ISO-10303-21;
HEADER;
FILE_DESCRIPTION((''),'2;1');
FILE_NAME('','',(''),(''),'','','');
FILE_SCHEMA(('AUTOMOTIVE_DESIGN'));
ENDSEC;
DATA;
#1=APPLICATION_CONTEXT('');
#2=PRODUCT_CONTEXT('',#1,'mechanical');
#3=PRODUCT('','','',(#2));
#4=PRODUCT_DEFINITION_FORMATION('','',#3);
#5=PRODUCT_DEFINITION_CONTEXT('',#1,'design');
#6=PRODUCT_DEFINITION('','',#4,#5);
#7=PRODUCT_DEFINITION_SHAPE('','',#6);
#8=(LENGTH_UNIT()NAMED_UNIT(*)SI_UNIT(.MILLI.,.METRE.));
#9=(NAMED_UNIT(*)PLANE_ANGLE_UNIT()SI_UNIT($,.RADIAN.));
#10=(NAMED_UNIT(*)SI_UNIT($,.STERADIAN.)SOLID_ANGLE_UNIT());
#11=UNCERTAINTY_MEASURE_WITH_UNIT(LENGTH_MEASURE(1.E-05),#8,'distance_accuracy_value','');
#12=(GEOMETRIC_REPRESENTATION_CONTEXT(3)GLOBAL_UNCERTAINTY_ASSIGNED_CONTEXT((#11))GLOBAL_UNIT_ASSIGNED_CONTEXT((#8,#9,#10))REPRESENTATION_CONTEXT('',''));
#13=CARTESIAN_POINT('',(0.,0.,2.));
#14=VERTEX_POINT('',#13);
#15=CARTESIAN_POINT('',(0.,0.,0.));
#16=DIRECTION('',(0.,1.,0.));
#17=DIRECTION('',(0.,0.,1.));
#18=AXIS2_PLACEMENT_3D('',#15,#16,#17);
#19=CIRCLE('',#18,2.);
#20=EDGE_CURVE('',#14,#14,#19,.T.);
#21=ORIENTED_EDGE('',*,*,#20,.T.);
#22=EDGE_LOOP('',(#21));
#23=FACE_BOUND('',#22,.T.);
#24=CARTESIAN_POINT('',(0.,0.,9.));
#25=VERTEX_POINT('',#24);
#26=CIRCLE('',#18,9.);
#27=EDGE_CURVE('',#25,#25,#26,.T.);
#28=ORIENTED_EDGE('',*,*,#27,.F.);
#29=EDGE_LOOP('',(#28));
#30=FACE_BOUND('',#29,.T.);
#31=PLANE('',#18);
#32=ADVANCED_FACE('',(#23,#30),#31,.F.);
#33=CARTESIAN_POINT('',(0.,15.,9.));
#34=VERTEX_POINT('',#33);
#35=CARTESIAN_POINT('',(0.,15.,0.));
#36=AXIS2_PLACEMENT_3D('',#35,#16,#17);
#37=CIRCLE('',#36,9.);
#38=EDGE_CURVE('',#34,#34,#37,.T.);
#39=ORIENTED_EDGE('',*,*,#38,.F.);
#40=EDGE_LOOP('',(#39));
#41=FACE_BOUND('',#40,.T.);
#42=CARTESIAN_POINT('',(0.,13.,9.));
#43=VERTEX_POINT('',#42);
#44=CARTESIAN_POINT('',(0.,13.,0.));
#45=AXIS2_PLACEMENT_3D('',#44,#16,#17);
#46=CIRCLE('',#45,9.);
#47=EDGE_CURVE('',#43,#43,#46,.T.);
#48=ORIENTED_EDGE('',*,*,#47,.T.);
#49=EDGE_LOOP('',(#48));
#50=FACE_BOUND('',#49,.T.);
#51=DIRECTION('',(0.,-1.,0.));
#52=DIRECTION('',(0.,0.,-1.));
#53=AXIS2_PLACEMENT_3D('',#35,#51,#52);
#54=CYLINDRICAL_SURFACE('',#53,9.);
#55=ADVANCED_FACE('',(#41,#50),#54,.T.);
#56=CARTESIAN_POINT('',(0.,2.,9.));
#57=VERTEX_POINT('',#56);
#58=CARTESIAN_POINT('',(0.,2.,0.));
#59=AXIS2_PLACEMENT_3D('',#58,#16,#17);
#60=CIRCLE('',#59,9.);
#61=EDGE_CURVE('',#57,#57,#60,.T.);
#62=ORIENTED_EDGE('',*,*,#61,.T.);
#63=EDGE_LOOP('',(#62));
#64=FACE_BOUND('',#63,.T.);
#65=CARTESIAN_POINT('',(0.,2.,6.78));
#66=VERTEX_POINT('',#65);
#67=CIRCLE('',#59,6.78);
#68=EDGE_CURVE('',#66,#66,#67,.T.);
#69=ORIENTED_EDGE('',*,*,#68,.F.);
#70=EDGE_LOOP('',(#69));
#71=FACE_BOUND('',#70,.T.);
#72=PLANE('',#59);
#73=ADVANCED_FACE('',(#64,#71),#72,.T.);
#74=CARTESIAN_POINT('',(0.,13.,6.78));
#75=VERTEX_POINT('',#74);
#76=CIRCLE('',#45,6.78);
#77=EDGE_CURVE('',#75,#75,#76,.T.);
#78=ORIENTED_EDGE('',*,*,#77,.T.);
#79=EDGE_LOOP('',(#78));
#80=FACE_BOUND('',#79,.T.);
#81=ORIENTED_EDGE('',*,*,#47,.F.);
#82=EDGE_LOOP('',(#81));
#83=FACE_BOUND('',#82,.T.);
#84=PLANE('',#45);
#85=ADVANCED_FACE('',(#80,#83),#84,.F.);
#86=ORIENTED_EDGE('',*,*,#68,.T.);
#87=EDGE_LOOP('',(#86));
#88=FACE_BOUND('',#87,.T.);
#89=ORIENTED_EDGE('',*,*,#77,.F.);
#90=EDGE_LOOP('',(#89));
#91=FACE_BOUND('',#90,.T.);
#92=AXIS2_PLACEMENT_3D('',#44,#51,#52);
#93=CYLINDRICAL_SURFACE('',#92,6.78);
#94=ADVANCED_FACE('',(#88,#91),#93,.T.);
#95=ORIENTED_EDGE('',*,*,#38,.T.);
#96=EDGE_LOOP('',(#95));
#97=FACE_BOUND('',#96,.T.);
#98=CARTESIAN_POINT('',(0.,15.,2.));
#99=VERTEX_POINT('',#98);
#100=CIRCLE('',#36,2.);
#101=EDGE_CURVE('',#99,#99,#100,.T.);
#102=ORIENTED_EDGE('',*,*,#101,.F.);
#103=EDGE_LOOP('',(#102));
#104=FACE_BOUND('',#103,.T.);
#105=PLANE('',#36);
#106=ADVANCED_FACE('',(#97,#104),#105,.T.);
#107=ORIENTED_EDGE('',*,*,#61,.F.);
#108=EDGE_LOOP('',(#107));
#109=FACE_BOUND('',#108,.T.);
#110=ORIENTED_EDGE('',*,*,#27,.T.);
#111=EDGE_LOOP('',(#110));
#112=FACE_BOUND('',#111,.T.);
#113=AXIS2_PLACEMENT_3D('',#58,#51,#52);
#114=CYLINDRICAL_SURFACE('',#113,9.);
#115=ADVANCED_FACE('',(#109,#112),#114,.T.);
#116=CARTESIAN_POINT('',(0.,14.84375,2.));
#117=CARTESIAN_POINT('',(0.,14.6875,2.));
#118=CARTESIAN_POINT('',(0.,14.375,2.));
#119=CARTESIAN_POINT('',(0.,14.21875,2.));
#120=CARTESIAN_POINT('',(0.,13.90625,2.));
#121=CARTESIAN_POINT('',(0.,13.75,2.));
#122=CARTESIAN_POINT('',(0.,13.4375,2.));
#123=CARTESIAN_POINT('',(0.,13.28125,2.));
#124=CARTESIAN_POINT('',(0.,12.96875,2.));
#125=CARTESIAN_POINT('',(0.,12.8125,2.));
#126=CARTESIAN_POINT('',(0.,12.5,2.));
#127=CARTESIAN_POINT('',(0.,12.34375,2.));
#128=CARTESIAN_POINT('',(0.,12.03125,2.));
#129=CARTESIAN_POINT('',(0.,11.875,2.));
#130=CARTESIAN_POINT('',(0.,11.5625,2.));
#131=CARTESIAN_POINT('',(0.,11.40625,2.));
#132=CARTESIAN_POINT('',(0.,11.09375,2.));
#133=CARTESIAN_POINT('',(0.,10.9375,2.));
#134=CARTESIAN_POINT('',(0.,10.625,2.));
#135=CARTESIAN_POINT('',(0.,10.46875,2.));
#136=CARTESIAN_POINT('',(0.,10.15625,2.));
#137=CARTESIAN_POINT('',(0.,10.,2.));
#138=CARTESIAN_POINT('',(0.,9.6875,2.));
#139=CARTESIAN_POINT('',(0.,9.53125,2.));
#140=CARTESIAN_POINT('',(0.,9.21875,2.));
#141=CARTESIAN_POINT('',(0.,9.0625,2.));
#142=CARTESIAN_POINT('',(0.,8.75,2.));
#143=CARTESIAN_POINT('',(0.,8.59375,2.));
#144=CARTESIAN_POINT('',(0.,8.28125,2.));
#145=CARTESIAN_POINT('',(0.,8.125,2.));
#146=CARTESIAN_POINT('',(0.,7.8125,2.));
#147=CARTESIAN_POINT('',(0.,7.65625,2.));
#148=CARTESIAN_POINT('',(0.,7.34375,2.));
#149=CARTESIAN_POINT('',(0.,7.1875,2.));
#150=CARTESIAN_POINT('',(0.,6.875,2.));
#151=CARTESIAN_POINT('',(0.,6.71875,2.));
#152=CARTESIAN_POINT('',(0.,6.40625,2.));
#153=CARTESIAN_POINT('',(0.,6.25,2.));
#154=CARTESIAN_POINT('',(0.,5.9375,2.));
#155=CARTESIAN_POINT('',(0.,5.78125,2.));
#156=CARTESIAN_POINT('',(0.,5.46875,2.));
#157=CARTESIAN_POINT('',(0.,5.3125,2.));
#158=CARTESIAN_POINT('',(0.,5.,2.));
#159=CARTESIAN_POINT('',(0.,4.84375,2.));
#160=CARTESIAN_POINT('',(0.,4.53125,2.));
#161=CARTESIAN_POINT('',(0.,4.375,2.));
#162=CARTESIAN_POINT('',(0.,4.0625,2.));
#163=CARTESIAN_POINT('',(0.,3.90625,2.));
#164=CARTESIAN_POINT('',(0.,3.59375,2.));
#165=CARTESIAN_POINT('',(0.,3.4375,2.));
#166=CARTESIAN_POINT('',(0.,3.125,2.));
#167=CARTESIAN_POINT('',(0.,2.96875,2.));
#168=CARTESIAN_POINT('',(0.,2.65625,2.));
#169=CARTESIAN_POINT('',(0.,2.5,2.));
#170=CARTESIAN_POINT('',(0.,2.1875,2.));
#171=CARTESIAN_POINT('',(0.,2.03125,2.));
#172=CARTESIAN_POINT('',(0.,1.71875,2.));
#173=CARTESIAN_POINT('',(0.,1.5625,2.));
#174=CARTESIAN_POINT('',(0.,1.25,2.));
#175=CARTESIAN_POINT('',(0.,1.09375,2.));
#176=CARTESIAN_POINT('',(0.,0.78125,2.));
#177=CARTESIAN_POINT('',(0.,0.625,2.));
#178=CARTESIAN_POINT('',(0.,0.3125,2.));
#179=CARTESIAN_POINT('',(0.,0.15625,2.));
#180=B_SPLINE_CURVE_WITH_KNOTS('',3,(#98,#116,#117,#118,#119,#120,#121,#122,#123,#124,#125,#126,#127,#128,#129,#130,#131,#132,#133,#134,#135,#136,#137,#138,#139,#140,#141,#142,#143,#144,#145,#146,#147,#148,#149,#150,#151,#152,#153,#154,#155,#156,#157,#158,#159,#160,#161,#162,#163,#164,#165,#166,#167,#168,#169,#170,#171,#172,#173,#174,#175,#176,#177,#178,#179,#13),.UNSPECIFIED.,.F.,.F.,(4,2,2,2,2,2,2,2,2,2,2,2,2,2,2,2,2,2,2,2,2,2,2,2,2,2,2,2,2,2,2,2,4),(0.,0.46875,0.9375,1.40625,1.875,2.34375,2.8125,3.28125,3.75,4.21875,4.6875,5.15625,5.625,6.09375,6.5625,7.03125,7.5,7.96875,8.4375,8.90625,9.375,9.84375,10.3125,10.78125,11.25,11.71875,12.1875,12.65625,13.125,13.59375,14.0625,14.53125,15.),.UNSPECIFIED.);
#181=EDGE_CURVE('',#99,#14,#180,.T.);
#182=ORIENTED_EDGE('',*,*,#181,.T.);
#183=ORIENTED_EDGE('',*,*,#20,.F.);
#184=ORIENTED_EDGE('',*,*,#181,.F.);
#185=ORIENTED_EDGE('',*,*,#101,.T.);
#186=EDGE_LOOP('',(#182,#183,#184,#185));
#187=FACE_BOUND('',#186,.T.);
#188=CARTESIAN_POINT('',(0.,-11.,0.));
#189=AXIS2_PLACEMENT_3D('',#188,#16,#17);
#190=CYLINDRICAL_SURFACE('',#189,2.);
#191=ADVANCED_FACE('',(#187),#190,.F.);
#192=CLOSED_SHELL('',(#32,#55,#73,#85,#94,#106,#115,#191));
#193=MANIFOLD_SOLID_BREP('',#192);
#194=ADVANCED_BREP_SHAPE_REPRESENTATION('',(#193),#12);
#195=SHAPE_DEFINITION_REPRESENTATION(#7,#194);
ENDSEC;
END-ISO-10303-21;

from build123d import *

# Parameters (mm, degrees)
SKETCH_1_R          = 9
EXTRUDE_1_DEPTH     = 2
SKETCH_2_R          = 6.78
EXTRUDE_2_DEPTH     = 11
SKETCH_3_R          = 9
EXTRUDE_3_DEPTH     = 2
SKETCH_4_R          = 2
CUT_EXTRUDE_1_DEPTH = 26


with BuildPart() as part:
    # 草图1 → 凸台-拉伸1 (new body)
    with BuildSketch(Plane(origin=(0, 0, 0), x_dir=(1, 0, 0), z_dir=(0, 1, 0))):
        with Locations(Location((0, 0, 0), (0, 0, 270))):
            Circle(SKETCH_1_R)
    extrude(amount=EXTRUDE_1_DEPTH)

    # 草图2 → 凸台-拉伸2 (add)
    with BuildSketch(Plane(origin=(0, 2, 0), x_dir=(1, 0, 0), z_dir=(0, 1, 0))):
        with Locations(Location((0, 0, 0), (0, 0, 270))):
            Circle(SKETCH_2_R)
    extrude(amount=EXTRUDE_2_DEPTH)

    # 草图3 → 凸台-拉伸3 (add)
    with BuildSketch(Plane(origin=(0, 13, 0), x_dir=(1, 0, 0), z_dir=(0, 1, 0))):
        with Locations(Location((0, 0, 0), (0, 0, 270))):
            Circle(SKETCH_3_R)
    extrude(amount=EXTRUDE_3_DEPTH)

    # 草图4 → 切除-拉伸1 (cut)
    with BuildSketch(Plane(origin=(0, 15, 0), x_dir=(1, 0, 0), z_dir=(0, 1, 0))):
        with Locations(Location((0, 0, 0), (0, 0, 270))):
            Circle(SKETCH_4_R)
    extrude(amount=-CUT_EXTRUDE_1_DEPTH, mode=Mode.SUBTRACT)


solid = part.part
